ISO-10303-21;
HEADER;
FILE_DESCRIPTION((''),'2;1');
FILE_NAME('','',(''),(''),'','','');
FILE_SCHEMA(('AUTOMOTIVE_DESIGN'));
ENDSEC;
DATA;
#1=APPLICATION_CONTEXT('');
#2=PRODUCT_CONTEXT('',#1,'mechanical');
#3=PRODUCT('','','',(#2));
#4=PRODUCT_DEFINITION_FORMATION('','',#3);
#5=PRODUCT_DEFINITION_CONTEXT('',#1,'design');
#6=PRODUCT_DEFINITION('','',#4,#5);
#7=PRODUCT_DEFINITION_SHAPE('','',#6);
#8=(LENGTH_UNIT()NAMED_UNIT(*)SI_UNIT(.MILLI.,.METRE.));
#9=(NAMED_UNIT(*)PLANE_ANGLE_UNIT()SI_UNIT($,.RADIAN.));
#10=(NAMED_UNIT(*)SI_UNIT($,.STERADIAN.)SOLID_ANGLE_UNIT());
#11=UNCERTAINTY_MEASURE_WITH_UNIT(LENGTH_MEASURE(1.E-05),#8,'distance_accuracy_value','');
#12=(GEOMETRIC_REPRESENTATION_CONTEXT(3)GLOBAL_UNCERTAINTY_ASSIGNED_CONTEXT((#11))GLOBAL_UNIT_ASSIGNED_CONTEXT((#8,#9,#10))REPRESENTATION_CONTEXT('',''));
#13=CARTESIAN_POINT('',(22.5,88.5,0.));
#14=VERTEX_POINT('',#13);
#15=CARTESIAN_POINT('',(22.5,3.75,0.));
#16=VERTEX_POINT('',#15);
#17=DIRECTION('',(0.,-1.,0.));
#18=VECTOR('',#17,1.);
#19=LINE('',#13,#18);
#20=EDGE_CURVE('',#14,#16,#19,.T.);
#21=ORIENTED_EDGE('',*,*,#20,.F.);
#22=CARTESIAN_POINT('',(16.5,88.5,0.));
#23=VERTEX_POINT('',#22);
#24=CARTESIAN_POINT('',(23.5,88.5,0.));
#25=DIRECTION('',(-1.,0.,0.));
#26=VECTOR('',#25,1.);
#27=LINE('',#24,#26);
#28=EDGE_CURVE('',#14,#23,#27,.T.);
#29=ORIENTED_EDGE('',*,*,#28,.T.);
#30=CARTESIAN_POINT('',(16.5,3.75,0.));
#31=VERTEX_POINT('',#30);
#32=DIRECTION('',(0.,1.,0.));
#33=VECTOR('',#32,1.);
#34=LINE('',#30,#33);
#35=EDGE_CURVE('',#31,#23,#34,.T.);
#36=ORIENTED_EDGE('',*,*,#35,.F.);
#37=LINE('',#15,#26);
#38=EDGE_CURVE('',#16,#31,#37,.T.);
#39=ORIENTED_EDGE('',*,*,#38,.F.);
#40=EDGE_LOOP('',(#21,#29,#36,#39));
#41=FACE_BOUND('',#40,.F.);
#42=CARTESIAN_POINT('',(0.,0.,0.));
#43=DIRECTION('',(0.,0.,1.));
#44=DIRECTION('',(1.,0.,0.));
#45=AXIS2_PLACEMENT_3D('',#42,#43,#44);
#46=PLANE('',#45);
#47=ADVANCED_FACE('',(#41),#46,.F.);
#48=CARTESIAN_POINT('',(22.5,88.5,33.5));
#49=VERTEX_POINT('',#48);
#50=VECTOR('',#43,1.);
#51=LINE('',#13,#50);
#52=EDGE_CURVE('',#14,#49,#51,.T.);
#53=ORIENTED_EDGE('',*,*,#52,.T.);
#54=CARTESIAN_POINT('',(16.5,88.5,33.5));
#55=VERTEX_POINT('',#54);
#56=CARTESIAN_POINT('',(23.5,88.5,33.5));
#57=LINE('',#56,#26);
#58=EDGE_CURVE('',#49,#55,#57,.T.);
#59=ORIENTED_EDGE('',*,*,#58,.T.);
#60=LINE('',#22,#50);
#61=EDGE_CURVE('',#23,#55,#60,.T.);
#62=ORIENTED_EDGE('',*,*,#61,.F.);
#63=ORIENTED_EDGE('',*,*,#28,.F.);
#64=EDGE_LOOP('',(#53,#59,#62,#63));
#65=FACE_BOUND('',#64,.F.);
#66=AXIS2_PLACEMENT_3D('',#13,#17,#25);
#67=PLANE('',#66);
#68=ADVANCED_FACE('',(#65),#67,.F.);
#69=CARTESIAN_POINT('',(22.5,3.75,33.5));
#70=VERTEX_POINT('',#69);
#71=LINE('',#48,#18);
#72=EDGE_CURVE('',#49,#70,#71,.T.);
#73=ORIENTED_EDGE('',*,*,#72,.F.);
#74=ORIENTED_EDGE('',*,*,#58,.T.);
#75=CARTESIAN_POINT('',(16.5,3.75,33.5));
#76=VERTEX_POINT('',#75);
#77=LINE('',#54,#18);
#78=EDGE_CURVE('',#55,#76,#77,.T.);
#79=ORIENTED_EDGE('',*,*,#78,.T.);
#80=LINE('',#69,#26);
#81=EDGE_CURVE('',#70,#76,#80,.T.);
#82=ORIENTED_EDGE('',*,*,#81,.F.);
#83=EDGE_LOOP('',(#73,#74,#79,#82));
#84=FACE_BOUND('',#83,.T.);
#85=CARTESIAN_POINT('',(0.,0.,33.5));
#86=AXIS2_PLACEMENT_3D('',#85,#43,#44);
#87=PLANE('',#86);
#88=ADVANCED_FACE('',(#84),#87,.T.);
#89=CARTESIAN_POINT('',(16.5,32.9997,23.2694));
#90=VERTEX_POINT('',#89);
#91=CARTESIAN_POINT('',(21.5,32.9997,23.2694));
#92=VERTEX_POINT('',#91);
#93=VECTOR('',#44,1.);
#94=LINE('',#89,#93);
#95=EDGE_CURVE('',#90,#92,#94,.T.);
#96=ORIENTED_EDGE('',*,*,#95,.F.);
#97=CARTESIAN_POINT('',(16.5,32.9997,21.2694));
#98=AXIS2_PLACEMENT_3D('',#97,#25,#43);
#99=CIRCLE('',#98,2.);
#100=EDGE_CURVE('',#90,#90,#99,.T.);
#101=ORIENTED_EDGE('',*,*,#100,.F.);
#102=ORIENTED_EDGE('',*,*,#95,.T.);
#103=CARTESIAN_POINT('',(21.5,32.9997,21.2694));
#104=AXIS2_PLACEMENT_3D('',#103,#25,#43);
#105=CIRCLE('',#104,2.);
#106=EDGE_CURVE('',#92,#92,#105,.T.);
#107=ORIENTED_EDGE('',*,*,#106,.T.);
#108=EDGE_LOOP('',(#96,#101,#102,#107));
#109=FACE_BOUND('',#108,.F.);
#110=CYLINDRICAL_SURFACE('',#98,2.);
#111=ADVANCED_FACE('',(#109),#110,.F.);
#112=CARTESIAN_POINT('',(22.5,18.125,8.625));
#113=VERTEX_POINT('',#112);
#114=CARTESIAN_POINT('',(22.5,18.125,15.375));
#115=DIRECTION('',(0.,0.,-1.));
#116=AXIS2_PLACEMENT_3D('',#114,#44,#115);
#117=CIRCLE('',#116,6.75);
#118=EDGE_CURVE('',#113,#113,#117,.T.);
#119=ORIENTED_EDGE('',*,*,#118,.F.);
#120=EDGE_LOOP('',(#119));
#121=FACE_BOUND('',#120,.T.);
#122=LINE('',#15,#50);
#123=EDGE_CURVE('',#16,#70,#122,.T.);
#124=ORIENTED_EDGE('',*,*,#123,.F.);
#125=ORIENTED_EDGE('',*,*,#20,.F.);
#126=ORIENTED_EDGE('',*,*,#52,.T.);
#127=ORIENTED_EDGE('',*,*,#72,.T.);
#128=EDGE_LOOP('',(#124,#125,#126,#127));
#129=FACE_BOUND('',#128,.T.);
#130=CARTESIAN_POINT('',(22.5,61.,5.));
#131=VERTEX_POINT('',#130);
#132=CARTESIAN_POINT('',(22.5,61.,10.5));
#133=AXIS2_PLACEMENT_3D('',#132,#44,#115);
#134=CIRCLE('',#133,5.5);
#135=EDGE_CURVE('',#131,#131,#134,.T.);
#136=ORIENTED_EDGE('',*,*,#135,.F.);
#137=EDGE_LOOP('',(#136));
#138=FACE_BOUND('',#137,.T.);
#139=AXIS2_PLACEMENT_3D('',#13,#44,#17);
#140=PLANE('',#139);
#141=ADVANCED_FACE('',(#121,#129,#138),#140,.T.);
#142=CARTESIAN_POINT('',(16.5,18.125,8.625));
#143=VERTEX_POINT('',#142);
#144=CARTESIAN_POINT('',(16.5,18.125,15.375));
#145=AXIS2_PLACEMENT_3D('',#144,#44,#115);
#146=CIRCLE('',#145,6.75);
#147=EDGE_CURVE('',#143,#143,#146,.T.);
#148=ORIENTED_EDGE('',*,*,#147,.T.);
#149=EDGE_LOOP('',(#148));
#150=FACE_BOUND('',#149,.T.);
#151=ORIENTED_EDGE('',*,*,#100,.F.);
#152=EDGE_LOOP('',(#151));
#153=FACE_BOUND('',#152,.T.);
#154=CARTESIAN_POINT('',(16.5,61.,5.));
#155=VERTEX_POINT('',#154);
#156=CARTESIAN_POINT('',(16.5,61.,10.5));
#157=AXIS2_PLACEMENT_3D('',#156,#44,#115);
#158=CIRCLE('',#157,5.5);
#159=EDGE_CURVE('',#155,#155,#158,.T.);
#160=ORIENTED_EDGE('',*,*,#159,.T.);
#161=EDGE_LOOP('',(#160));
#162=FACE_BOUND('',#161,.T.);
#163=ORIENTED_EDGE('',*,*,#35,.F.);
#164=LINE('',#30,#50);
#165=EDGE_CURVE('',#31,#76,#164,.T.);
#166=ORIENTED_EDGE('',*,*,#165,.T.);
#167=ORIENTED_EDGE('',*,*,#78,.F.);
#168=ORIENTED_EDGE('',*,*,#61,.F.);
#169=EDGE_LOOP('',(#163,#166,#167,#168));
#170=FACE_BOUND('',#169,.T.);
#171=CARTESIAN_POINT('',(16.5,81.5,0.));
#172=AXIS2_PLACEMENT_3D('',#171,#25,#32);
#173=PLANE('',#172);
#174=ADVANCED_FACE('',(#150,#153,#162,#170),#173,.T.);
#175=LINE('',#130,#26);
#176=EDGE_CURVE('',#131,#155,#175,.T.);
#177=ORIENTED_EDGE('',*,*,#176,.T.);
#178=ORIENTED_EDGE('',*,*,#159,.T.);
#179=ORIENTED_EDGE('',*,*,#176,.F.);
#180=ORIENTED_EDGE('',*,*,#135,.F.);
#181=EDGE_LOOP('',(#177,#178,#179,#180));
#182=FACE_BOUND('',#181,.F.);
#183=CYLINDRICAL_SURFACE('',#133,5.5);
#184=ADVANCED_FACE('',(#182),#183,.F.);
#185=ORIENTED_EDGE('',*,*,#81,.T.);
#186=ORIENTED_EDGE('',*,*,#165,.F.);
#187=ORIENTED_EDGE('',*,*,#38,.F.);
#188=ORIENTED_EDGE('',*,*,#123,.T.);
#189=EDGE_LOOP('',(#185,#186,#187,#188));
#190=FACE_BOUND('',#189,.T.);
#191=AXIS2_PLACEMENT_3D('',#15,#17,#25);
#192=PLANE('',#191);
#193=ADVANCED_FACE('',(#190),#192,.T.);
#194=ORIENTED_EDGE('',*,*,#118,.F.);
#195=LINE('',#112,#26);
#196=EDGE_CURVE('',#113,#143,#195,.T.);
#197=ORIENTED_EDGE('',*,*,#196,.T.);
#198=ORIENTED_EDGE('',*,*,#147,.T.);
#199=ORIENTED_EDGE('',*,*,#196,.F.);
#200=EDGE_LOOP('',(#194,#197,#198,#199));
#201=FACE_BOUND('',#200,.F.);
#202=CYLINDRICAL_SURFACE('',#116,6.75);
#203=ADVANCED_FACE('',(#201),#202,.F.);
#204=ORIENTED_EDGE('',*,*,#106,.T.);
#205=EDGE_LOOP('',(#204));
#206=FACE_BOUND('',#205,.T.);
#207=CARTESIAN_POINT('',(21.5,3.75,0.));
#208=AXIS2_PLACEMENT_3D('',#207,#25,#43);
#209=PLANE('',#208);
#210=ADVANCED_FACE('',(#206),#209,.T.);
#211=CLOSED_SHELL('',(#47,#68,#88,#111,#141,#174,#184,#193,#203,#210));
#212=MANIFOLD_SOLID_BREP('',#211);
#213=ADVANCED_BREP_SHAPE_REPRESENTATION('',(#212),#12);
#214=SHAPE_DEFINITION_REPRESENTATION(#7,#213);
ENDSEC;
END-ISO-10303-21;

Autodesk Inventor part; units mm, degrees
ref_plane "YZ Plane" through (0, 0, 0) normal (1, 0, 0) x (0, 1, 0)
ref_plane "XZ Plane" through (0, 0, 0) normal (0, 1, 0) x (-1, 0, 0)
ref_plane "Work Plane1" through (0, 0, 0) normal (0, 0, 1) x (1, 0, 0)
sketch "Sketch1" plane through (0, 0, 0) normal (0, 0, 1) x (1, 0, 0)
  line L0 (23.5, 88.5) -> (-23.5, 88.5) projected
  line L1 (-23.5, 88.5) -> (-23.5, 36.5) projected
  line L2 (-26.5, 33.5) -> (-89, 33.5) projected
  line L3 (-89, 33.5) -> (-89, -72.5) projected
  line L4 (-89, -72.5) -> (-77, -72.5) projected
  line L5 (-74, -75.5) -> (-74, -93.5) projected
  line L6 (-74, -93.5) -> (74, -93.5) projected
  line L7 (74, -93.5) -> (74, -75.5) projected
  line L8 (77, -72.5) -> (89, -72.5) projected
  line L9 (89, -72.5) -> (89, 33.5) projected
  line L10 (89, 33.5) -> (26.5, 33.5) projected
  line L11 (23.5, 36.5) -> (23.5, 88.5) projected
  line L12 (-4.5, 81.5) -> (-4.5, 36.5) projected
  line L13 (-7.5, 33.5) -> (-13.5, 33.5) projected
  line L14 (-16.5, 36.5) -> (-16.5, 81.5) projected
  line L15 (-13.5, 84.5) -> (-7.5, 84.5) projected
  line L16 (16.5, 81.5) -> (16.5, 36.5) projected
  line L17 (13.5, 33.5) -> (7.5, 33.5) projected
  line L18 (4.5, 36.5) -> (4.5, 81.5) projected
  line L19 (7.5, 84.5) -> (13.5, 84.5) projected
  line L20 (16.5, 88.5) -> (22.5, 88.5)
  line L21 (22.5, 88.5) -> (22.5, 3.75)
  line L22 (22.5, 3.75) -> (16.5, 3.75)
  line L23 (16.5, 3.75) -> (16.5, 88.5)
  line L24 (59.9, 4.75) -> (32.2, 4.75)
  arc A0 (13.5, 33.5) -> (16.5, 36.5) centre (13.5, 36.5) ccw projected
  arc A1 (4.5, 36.5) -> (7.5, 33.5) centre (7.5, 36.5) ccw projected
  arc A2 (7.5, 84.5) -> (4.5, 81.5) centre (7.5, 81.5) ccw projected
  arc A3 (16.5, 81.5) -> (13.5, 84.5) centre (13.5, 81.5) ccw projected
  arc A4 (-4.5, 81.5) -> (-7.5, 84.5) centre (-7.5, 81.5) ccw projected
  arc A5 (-7.5, 33.5) -> (-4.5, 36.5) centre (-7.5, 36.5) ccw projected
  arc A6 (-16.5, 36.5) -> (-13.5, 33.5) centre (-13.5, 36.5) ccw projected
  arc A7 (-13.5, 84.5) -> (-16.5, 81.5) centre (-13.5, 81.5) ccw projected
  arc A8 (-26.5, 33.5) -> (-23.5, 36.5) centre (-26.5, 36.5) ccw projected
  arc A9 (-74, -75.5) -> (-77, -72.5) centre (-77, -75.5) ccw projected
  arc A10 (77, -72.5) -> (74, -75.5) centre (77, -75.5) ccw projected
  arc A11 (23.5, 36.5) -> (26.5, 33.5) centre (26.5, 36.5) ccw projected
  point P0 (0, 0)
  dimension "d0" = 1
  dimension "d1" = 1
ref_plane "Work Plane2" through (-89, -40.3889, 33.5) normal (0, 0, 1) x (1, 0, 0)
extrude "Extrusion1" add sketch "Sketch1" along normal up to surface (33.5 mm away) contours L21 L22 L23 L16 L0
sketch "Sketch2" plane through (22.5, 3.75, 0) normal (1, 0, 0) x (0, 0, -1)
  circle A0 centre (-15.375, 14.375) radius 6.75 projected
  circle A1 centre (-10.5, 57.25) radius 5.5 projected
  point P0 (0, -3.75)
  dimension "d8" = 11
extrude "Extrusion2" cut sketch "Sketch2" against normal up to next
sketch "Sketch3" plane through (16.5, 3.75, 0) normal (-1, 0, 0) x (0, 0, 1)
  circle A0 centre (21.2694, 29.2497) radius 2 projected
  point P0 (0, -3.75)
extrude "Extrusion3" cut sketch "Sketch3" against normal blind 5
properties part number "left_gear_holder"
